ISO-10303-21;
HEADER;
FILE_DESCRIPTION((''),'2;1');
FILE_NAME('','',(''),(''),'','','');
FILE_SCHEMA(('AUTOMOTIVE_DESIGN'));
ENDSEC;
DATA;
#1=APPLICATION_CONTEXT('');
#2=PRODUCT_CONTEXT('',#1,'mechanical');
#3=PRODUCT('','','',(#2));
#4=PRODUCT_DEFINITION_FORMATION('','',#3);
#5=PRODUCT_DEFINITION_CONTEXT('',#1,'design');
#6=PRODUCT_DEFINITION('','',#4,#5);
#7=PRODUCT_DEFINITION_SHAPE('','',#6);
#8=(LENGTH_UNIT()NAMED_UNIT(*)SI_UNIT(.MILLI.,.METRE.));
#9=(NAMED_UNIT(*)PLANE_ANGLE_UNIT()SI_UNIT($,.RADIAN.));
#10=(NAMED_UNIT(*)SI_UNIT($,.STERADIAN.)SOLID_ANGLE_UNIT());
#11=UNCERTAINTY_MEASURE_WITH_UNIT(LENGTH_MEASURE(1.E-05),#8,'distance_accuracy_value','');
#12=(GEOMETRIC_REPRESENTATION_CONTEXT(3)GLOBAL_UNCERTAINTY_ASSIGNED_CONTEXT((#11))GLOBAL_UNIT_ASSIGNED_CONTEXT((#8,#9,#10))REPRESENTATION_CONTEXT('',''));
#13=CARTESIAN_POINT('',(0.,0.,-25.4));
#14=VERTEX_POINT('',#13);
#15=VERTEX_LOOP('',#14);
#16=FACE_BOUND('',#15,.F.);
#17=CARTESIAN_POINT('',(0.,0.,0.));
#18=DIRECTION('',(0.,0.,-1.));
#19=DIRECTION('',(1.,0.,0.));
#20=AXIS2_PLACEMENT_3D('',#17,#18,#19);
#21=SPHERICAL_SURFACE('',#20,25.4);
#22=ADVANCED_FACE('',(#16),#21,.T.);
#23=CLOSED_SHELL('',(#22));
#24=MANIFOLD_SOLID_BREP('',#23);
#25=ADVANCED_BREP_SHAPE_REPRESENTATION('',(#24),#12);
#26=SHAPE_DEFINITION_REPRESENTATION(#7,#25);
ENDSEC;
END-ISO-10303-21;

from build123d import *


with BuildPart() as part:
    # Sketch2 → Revolve1 (revolve)
    with BuildSketch(Plane(origin=(0, 0, 0), x_dir=(1, 0, 0), z_dir=(0, 1, 0))):
        with BuildLine():
            Line((0, 25.4), (0, -25.4))
            ThreePointArc((0, -25.4), (25.4, 0), (0, 25.4))
        make_face()
    revolve(axis=Axis((0, 0, -25.4), (0, 0, 1)))


solid = part.part
